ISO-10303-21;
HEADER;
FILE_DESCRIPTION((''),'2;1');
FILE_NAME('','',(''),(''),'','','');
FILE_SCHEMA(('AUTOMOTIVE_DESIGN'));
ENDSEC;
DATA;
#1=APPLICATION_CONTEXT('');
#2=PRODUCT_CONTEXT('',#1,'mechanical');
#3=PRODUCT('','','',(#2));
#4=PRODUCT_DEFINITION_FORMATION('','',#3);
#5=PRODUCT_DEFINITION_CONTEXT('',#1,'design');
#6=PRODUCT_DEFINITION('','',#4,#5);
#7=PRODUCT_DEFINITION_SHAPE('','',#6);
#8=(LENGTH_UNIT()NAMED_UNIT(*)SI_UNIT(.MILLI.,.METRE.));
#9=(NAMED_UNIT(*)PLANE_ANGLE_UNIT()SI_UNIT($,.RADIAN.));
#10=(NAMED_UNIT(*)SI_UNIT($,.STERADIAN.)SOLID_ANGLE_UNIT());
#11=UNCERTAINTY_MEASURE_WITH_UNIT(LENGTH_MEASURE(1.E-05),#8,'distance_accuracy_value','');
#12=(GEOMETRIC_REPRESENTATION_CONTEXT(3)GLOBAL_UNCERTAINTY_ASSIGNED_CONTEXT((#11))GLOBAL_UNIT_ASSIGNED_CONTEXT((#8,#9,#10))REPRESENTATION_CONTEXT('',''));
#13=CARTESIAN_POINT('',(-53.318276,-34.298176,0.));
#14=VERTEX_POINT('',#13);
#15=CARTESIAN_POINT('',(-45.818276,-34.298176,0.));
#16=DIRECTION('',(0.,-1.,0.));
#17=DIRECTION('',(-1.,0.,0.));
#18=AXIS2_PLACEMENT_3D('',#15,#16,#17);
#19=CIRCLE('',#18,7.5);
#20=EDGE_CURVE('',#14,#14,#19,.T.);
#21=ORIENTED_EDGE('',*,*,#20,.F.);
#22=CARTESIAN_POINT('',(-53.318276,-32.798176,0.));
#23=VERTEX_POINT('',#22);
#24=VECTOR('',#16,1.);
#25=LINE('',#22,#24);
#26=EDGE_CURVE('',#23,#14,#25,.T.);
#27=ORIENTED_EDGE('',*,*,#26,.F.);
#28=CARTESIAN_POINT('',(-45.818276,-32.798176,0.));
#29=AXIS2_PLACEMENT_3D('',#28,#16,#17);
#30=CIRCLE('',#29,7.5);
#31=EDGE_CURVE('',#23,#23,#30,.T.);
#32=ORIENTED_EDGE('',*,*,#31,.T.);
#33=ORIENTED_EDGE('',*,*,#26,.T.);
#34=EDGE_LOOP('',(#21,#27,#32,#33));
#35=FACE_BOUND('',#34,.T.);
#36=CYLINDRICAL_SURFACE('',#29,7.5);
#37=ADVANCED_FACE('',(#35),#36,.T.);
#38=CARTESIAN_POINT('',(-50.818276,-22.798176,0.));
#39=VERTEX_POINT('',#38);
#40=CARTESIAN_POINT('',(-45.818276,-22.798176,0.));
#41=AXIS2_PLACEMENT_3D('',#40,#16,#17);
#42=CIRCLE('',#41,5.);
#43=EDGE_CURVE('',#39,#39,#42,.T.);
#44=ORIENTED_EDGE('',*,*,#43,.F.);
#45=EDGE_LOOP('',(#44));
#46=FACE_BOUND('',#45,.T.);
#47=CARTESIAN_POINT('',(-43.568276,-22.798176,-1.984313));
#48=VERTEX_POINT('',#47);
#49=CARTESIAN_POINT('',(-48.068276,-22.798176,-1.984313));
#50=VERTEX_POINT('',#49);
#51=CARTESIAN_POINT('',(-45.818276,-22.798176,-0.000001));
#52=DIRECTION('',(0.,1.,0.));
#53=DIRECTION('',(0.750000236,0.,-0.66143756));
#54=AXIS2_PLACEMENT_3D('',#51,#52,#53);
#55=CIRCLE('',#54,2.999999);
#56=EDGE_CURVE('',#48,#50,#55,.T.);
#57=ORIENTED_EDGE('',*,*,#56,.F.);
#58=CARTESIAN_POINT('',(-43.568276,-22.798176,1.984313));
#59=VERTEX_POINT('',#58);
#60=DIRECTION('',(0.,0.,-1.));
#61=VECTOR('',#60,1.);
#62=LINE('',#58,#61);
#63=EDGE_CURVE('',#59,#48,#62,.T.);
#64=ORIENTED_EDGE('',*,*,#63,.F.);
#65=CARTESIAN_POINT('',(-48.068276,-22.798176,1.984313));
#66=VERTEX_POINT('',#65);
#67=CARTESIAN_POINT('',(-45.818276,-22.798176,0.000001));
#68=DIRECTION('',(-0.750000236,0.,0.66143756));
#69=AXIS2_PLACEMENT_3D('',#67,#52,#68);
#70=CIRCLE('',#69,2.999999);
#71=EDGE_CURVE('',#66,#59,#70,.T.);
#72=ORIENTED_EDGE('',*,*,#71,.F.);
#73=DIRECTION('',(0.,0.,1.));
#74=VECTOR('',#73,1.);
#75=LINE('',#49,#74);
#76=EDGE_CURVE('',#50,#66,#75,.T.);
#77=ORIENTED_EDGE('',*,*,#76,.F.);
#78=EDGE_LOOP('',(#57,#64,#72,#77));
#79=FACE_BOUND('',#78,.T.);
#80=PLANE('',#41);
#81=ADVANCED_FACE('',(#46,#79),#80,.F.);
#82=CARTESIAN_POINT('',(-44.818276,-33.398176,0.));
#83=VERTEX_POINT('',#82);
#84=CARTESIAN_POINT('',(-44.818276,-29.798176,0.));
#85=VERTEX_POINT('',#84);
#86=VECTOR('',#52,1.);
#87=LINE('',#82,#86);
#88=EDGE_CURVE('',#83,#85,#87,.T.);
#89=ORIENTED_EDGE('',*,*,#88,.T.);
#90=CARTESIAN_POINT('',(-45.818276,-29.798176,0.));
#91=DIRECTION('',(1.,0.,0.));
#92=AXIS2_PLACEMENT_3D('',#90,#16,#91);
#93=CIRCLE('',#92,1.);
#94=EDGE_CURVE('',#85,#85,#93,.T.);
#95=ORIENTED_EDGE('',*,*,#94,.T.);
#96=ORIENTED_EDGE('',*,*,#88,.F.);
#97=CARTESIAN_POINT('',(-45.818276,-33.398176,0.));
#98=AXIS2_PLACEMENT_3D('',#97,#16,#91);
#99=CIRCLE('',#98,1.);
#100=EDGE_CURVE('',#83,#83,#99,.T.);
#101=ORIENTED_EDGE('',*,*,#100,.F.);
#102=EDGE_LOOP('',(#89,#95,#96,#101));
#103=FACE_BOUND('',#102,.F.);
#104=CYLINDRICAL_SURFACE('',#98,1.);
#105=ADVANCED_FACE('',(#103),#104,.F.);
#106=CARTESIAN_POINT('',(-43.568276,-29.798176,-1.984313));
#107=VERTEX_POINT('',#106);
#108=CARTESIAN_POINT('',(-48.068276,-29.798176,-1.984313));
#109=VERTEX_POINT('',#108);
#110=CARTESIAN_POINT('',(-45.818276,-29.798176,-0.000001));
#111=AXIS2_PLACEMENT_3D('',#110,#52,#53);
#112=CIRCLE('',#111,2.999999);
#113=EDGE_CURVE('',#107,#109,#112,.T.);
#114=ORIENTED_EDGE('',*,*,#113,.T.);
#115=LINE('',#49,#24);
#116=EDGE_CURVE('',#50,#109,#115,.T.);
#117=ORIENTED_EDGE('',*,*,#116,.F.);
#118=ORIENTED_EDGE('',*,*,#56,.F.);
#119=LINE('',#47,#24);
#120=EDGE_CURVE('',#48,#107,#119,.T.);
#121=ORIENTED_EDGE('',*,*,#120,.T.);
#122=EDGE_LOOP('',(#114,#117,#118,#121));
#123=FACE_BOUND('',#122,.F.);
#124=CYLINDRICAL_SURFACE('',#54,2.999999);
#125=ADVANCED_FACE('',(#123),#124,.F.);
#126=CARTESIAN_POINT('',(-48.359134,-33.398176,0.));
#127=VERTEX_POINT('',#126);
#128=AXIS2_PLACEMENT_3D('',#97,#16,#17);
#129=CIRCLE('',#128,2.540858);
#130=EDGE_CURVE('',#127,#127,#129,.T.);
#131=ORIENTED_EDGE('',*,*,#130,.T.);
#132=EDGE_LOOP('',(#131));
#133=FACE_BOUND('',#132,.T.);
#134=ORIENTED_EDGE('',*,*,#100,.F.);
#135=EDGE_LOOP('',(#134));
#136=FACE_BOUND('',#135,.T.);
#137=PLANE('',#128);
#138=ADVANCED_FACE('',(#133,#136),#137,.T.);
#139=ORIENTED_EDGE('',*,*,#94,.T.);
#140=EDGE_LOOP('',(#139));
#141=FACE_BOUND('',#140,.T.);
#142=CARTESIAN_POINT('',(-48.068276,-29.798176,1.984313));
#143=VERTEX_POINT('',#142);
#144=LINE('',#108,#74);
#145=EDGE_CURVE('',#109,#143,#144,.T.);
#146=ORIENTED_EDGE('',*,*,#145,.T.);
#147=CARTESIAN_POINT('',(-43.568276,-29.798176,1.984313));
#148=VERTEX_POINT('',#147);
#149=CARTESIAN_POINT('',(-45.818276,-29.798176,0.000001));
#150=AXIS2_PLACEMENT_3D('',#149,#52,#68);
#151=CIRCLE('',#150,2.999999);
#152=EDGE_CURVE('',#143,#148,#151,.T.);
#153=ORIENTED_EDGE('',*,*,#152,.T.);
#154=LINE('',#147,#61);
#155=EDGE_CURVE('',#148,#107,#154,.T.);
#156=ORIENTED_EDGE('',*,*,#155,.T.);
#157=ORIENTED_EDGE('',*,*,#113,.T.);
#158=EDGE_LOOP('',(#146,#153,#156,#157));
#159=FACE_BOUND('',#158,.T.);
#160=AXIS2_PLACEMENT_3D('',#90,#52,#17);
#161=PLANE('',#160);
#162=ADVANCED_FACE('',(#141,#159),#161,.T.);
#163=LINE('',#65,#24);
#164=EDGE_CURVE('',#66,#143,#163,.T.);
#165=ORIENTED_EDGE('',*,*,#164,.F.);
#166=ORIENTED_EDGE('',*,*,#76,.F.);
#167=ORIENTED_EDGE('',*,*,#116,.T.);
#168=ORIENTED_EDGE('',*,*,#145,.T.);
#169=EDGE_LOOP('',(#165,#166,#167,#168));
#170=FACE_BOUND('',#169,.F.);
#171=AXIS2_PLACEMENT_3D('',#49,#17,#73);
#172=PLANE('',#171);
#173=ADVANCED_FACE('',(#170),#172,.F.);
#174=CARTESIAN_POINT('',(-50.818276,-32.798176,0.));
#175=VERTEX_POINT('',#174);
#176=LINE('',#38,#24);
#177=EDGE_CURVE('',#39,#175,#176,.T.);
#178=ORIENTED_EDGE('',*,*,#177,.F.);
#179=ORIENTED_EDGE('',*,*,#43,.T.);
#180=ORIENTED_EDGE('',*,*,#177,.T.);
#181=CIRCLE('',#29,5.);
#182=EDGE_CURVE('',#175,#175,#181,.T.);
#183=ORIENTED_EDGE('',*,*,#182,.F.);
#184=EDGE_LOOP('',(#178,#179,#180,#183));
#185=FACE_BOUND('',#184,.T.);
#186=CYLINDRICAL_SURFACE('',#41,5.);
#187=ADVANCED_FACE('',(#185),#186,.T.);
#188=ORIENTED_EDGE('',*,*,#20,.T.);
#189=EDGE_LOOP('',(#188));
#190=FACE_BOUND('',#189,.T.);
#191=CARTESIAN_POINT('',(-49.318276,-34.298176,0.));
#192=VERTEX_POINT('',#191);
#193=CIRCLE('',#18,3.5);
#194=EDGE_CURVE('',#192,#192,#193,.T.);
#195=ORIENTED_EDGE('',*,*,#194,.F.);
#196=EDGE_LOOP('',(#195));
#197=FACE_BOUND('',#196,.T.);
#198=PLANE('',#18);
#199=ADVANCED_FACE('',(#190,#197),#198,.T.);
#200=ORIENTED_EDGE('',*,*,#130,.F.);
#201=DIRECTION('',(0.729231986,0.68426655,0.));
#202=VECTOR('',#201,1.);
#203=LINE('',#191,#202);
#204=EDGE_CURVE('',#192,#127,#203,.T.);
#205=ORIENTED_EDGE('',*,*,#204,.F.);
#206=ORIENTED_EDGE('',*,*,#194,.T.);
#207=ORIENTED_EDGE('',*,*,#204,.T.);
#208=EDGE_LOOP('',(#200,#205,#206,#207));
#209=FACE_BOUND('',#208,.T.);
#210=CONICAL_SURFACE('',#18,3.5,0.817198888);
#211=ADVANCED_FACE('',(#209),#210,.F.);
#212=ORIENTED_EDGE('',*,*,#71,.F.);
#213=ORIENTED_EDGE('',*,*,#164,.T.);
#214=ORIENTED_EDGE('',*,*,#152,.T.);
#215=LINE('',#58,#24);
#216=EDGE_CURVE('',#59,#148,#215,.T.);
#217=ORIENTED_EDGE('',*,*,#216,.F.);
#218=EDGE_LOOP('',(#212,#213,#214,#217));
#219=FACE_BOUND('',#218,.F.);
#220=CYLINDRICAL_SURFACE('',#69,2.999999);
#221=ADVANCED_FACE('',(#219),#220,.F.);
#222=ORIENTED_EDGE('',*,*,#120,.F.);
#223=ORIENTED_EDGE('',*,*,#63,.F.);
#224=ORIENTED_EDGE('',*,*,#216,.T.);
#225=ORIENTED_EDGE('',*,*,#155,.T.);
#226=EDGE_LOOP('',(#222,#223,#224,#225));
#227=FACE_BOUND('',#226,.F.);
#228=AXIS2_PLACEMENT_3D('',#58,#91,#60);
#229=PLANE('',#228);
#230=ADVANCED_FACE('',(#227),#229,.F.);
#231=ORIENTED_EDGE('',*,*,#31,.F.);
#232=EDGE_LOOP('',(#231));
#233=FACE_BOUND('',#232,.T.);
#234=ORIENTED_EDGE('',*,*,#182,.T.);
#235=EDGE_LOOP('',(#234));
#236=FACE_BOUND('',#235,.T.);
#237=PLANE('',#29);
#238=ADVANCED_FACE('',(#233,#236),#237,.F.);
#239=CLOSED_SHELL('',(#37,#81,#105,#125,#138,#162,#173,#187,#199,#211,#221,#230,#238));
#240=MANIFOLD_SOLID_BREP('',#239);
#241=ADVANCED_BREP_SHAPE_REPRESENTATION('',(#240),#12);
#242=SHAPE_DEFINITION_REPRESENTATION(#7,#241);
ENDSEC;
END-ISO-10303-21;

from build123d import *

# Parameters (mm, degrees)
F3_DEPTH = 7
F4_R     = 1
F5_DEPTH = 25


with BuildPart() as f1:
    # F0 (on Top) → F1 (revolve)
    with BuildSketch(Plane.XY):
        Polygon((-45.818276, -33.398176), (-45.818276, -22.798176), (-50.818276, -22.798176), (-50.818276, -32.798176), (-53.318276, -32.798176), (-53.318276, -34.298176), (-49.318276, -34.298176), (-48.359134, -33.398176), align=None)
    revolve(axis=Axis((-45.818276, -28.098176, 0), (0, -1, 0)))

    # F2 (on face) → F3 (cut)
    with BuildSketch(Plane(origin=(0, -22.798176, 0), x_dir=(-1, 0, 0), z_dir=(0, 1, 0))):
        with BuildLine():
            Line((43.568276, 1.984313), (43.568276, -1.984313))
            ThreePointArc((43.568276, -1.984313), (45.818276, -3), (48.068276, -1.984313))
            Line((48.068276, -1.984313), (48.068276, 1.984313))
            ThreePointArc((48.068276, 1.984313), (45.818276, 3), (43.568276, 1.984313))
        make_face()
    extrude(amount=-F3_DEPTH, mode=Mode.SUBTRACT)

    # F4 (on face) → F5 (cut)
    with BuildSketch(Plane.XZ.offset(33.398176)):
        with Locations((-45.818276, 0)):
            Circle(F4_R)
    extrude(amount=-F5_DEPTH, mode=Mode.SUBTRACT)


solid = f1.part
